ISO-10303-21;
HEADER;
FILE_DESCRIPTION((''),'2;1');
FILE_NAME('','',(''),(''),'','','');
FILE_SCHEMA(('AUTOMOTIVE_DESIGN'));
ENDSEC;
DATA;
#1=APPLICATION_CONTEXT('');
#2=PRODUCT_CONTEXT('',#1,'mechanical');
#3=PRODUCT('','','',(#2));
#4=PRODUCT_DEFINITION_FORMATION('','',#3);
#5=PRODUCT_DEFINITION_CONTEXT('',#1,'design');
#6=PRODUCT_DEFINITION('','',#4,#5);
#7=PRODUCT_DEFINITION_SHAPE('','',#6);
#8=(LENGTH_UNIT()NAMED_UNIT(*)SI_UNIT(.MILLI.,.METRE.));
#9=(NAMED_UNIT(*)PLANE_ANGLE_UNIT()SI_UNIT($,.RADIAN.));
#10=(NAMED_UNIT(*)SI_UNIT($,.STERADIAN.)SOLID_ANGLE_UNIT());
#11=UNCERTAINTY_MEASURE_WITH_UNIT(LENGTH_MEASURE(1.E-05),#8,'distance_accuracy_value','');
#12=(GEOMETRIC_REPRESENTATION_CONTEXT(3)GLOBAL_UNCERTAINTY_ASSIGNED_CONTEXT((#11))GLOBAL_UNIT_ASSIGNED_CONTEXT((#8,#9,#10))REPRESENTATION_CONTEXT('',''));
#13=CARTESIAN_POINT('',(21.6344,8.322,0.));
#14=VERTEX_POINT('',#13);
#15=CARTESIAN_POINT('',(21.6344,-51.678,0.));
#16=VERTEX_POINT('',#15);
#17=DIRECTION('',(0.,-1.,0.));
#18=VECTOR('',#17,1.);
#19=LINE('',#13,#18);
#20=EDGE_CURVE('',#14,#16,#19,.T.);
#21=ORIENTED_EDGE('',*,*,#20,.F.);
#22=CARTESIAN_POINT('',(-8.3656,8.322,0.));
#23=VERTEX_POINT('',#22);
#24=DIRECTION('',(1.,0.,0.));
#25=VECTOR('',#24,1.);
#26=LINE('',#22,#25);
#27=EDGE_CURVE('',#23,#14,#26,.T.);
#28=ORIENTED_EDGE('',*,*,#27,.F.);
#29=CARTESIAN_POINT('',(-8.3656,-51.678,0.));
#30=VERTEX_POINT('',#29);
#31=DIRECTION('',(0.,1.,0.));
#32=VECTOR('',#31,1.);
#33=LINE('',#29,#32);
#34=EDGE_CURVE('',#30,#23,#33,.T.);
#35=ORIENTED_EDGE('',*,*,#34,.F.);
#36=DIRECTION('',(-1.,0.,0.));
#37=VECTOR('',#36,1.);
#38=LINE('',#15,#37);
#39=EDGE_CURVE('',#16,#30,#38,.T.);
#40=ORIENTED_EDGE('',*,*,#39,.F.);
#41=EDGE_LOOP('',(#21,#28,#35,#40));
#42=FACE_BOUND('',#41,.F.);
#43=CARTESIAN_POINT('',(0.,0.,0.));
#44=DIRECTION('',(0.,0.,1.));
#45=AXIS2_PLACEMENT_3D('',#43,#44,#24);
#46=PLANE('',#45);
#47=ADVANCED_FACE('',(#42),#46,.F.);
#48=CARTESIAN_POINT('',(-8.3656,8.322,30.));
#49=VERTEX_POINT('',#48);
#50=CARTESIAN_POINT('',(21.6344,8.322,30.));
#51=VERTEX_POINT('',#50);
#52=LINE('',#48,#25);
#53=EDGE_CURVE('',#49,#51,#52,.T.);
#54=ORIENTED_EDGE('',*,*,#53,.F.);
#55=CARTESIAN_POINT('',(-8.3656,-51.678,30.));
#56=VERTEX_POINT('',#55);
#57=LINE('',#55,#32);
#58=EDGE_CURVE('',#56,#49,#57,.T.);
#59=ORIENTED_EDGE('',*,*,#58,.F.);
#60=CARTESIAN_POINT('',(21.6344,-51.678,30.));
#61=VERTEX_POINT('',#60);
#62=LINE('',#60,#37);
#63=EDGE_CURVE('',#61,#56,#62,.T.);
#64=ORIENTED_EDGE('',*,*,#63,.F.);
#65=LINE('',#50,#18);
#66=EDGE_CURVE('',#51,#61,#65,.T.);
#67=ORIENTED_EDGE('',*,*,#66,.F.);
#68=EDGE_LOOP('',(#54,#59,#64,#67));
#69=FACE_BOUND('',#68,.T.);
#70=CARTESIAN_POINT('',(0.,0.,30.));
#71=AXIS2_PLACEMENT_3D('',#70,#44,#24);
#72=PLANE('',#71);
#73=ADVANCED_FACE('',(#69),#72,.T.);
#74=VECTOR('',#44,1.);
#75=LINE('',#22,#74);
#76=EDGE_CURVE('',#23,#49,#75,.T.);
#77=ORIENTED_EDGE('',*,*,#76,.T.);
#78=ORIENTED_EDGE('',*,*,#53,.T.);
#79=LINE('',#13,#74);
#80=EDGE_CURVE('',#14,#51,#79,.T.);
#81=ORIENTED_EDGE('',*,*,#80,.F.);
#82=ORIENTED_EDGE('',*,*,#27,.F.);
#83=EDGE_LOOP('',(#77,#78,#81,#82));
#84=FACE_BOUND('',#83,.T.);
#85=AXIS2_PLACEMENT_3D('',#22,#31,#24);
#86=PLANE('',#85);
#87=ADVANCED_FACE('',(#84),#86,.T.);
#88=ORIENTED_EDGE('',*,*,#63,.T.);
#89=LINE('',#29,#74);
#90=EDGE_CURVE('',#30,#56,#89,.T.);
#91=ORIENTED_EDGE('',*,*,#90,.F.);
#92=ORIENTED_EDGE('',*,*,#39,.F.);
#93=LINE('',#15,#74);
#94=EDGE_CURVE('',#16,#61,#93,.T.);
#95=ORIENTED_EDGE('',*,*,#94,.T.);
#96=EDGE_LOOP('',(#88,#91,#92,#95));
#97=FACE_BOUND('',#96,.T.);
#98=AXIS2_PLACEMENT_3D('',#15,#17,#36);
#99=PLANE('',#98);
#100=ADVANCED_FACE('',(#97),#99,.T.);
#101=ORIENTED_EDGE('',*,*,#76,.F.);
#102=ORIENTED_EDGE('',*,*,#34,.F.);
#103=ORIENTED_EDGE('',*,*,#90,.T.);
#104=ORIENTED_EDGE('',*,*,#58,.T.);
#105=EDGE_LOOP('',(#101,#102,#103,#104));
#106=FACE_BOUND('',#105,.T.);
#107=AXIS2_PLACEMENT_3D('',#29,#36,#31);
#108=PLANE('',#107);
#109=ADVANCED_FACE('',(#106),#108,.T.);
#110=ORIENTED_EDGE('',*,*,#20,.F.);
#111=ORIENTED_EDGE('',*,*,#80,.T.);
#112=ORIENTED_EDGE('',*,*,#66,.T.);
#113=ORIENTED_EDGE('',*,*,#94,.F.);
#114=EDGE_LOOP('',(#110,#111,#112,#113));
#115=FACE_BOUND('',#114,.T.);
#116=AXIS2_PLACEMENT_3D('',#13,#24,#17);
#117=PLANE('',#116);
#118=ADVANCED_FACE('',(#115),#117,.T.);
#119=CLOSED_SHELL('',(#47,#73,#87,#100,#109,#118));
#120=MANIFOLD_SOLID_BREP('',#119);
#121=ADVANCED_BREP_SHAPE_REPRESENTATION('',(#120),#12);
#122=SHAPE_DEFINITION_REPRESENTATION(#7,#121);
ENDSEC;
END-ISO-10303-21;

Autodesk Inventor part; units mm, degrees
ref_plane "YZ Plane" through (0, 0, 0) normal (1, 0, 0) x (0, 1, 0)
ref_plane "XZ Plane" through (0, 0, 0) normal (0, 1, 0) x (-1, 0, 0)
ref_plane "XY Plane" through (0, 0, 0) normal (0, 0, 1) x (1, 0, 0)
sketch "Sketch1" plane through (0, 0, 0) normal (0, 0, 1) x (1, 0, 0)
  line L0 (-8.3656, 8.322) -> (21.6344, 8.322)
  line L1 (21.6344, 8.322) -> (21.6344, -51.678)
  line L2 (21.6344, -51.678) -> (-8.3656, -51.678)
  line L3 (-8.3656, -51.678) -> (-8.3656, 8.322)
  point P0 (0, 0)
  dimension "d0" = 30
  dimension "d1" = 60
extrude "Extrusion1" add sketch "Sketch1" along normal blind 30
properties part number "stand"
